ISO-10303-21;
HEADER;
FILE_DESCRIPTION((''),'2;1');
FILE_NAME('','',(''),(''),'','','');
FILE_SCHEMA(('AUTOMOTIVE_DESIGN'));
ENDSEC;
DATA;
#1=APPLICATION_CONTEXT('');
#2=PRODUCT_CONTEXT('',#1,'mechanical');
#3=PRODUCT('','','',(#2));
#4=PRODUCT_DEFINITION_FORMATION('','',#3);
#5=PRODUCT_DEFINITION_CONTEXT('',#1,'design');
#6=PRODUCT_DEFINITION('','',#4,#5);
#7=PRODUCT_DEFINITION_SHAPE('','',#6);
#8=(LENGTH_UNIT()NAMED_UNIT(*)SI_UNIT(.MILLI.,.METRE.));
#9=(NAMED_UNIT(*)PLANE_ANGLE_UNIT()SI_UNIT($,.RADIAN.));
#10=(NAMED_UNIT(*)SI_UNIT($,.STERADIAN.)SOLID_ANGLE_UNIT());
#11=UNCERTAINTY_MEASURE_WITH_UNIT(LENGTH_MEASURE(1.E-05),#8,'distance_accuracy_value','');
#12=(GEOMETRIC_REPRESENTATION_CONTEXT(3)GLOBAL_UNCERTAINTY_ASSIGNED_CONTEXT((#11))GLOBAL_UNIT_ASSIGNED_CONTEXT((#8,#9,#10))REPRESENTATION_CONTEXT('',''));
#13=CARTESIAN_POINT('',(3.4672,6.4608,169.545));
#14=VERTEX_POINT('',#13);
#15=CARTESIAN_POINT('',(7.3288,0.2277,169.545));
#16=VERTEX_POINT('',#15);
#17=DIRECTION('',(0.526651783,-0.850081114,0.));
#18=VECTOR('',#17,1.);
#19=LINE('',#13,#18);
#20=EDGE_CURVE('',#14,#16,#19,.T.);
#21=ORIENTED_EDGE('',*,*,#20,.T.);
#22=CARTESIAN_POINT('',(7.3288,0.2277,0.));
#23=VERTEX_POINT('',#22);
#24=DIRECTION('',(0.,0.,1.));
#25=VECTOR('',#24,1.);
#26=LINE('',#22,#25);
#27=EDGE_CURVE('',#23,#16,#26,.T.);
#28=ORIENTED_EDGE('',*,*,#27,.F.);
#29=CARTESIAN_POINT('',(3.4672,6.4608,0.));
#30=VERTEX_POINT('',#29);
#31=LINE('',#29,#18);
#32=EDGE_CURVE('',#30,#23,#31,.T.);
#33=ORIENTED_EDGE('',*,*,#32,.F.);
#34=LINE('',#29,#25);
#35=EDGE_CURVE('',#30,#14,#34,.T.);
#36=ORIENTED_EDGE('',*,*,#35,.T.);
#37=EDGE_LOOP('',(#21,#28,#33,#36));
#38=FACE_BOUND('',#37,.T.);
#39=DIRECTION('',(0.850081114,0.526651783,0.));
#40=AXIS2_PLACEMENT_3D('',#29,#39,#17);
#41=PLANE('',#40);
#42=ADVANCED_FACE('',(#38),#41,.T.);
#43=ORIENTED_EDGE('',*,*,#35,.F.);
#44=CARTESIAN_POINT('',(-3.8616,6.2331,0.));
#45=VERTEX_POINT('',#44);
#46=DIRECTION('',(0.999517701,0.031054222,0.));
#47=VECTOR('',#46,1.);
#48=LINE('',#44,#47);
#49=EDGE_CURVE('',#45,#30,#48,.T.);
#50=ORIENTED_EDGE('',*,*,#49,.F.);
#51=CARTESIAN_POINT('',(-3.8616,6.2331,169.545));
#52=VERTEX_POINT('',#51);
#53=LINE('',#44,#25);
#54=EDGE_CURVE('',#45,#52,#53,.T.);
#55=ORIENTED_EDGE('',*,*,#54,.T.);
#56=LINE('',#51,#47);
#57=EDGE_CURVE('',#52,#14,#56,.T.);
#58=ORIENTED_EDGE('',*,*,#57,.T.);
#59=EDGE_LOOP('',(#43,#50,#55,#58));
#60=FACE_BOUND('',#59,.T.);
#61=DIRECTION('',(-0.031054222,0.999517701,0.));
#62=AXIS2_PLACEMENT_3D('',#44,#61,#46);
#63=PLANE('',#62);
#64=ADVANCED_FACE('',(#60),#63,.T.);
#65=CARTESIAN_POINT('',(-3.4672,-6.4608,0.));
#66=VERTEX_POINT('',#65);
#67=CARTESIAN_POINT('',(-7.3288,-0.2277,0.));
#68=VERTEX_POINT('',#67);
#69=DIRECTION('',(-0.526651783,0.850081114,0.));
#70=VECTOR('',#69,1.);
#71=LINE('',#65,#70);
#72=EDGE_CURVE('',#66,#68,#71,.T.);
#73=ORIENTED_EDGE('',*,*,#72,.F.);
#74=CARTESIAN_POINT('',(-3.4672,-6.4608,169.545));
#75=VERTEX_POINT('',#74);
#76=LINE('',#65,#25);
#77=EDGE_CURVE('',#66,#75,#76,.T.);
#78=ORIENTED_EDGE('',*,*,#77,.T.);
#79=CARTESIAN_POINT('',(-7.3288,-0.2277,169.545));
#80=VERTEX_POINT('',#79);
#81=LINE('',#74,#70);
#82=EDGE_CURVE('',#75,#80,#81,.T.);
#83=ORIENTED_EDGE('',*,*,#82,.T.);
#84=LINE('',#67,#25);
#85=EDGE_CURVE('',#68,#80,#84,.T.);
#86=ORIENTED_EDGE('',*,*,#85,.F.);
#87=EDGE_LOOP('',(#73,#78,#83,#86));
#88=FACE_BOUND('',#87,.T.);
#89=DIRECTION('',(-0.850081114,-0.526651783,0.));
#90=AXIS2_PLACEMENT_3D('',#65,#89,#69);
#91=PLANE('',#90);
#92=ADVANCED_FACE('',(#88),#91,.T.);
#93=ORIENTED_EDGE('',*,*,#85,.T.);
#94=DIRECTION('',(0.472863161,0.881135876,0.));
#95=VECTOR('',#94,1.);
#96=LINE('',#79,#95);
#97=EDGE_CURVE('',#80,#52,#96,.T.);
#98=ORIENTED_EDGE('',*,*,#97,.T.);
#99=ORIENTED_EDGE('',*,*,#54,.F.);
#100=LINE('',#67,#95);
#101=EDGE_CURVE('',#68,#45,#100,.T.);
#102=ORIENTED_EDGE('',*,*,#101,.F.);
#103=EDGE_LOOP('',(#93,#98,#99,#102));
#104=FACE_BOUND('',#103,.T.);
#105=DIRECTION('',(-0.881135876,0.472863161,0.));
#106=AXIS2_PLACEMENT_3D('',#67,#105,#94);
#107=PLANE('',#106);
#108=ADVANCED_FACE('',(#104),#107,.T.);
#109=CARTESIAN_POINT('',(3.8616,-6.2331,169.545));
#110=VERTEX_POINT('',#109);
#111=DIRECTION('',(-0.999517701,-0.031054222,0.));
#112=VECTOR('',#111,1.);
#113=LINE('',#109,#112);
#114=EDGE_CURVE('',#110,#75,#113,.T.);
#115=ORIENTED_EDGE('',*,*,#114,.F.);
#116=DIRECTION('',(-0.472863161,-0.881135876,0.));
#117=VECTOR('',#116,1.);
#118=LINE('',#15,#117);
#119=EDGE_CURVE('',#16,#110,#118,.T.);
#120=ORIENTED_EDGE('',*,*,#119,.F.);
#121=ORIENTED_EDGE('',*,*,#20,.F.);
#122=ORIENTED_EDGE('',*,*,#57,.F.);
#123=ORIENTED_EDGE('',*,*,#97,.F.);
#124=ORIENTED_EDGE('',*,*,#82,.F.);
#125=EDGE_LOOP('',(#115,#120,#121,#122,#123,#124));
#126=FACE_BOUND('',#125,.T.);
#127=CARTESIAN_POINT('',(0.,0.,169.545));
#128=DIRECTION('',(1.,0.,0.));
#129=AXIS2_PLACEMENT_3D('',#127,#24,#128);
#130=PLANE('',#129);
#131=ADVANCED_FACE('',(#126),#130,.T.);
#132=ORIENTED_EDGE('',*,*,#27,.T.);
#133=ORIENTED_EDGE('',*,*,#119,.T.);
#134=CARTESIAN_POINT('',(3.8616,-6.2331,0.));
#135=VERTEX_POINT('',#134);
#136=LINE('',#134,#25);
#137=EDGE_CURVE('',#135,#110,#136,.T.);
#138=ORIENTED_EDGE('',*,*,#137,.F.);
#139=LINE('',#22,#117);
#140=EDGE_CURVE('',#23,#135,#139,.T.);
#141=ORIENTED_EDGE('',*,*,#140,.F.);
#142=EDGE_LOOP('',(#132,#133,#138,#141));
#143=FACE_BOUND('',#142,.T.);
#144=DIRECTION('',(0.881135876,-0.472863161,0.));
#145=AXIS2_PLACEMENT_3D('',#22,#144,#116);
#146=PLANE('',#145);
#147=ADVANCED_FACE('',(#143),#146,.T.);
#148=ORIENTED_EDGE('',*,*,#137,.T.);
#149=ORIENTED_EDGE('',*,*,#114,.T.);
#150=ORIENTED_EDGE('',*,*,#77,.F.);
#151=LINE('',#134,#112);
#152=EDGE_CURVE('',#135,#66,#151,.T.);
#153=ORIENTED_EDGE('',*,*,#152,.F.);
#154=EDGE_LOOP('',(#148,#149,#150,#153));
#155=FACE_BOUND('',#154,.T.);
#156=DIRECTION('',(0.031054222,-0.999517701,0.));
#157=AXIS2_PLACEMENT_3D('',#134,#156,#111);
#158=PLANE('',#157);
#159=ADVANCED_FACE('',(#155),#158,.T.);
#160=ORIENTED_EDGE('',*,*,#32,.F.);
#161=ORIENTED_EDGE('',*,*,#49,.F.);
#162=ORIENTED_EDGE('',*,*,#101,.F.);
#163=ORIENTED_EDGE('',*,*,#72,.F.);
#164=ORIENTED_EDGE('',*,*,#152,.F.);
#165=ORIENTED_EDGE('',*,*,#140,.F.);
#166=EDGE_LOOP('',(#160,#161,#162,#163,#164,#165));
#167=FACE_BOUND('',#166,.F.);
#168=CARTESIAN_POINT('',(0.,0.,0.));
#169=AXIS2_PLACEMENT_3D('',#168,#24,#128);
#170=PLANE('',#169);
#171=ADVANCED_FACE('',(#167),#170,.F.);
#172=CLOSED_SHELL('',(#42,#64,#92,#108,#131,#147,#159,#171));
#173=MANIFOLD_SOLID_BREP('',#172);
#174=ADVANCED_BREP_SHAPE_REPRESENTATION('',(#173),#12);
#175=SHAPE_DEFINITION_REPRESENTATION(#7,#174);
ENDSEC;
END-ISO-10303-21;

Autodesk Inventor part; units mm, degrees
ref_plane "YZ Plane" through (0, 0, 0) normal (1, 0, 0) x (0, 1, 0)
ref_plane "XZ Plane" through (0, 0, 0) normal (0, 1, 0) x (-1, 0, 0)
ref_plane "XY Plane" through (0, 0, 0) normal (0, 0, 1) x (1, 0, 0)
sketch "Sketch1" plane through (0, 0, 0) normal (0, 0, 1) x (1, 0, 0)
  line L0 (-7.3288, -0.2277) -> (-3.8616, 6.2331)
  line L1 (-3.8616, 6.2331) -> (3.4672, 6.4608)
  line L2 (3.4672, 6.4608) -> (7.3288, 0.2277)
  line L3 (7.3288, 0.2277) -> (3.8616, -6.2331)
  line L4 (3.8616, -6.2331) -> (-3.4672, -6.4608)
  line L5 (-3.4672, -6.4608) -> (-7.3288, -0.2277)
  point P0 (0, 0)
  point P1 (0, 0)
  dimension "d0" = 12.7
extrude "Extrusion1" add sketch "Sketch1" along normal blind 169.545
properties part number "Hex Shaft 2"
